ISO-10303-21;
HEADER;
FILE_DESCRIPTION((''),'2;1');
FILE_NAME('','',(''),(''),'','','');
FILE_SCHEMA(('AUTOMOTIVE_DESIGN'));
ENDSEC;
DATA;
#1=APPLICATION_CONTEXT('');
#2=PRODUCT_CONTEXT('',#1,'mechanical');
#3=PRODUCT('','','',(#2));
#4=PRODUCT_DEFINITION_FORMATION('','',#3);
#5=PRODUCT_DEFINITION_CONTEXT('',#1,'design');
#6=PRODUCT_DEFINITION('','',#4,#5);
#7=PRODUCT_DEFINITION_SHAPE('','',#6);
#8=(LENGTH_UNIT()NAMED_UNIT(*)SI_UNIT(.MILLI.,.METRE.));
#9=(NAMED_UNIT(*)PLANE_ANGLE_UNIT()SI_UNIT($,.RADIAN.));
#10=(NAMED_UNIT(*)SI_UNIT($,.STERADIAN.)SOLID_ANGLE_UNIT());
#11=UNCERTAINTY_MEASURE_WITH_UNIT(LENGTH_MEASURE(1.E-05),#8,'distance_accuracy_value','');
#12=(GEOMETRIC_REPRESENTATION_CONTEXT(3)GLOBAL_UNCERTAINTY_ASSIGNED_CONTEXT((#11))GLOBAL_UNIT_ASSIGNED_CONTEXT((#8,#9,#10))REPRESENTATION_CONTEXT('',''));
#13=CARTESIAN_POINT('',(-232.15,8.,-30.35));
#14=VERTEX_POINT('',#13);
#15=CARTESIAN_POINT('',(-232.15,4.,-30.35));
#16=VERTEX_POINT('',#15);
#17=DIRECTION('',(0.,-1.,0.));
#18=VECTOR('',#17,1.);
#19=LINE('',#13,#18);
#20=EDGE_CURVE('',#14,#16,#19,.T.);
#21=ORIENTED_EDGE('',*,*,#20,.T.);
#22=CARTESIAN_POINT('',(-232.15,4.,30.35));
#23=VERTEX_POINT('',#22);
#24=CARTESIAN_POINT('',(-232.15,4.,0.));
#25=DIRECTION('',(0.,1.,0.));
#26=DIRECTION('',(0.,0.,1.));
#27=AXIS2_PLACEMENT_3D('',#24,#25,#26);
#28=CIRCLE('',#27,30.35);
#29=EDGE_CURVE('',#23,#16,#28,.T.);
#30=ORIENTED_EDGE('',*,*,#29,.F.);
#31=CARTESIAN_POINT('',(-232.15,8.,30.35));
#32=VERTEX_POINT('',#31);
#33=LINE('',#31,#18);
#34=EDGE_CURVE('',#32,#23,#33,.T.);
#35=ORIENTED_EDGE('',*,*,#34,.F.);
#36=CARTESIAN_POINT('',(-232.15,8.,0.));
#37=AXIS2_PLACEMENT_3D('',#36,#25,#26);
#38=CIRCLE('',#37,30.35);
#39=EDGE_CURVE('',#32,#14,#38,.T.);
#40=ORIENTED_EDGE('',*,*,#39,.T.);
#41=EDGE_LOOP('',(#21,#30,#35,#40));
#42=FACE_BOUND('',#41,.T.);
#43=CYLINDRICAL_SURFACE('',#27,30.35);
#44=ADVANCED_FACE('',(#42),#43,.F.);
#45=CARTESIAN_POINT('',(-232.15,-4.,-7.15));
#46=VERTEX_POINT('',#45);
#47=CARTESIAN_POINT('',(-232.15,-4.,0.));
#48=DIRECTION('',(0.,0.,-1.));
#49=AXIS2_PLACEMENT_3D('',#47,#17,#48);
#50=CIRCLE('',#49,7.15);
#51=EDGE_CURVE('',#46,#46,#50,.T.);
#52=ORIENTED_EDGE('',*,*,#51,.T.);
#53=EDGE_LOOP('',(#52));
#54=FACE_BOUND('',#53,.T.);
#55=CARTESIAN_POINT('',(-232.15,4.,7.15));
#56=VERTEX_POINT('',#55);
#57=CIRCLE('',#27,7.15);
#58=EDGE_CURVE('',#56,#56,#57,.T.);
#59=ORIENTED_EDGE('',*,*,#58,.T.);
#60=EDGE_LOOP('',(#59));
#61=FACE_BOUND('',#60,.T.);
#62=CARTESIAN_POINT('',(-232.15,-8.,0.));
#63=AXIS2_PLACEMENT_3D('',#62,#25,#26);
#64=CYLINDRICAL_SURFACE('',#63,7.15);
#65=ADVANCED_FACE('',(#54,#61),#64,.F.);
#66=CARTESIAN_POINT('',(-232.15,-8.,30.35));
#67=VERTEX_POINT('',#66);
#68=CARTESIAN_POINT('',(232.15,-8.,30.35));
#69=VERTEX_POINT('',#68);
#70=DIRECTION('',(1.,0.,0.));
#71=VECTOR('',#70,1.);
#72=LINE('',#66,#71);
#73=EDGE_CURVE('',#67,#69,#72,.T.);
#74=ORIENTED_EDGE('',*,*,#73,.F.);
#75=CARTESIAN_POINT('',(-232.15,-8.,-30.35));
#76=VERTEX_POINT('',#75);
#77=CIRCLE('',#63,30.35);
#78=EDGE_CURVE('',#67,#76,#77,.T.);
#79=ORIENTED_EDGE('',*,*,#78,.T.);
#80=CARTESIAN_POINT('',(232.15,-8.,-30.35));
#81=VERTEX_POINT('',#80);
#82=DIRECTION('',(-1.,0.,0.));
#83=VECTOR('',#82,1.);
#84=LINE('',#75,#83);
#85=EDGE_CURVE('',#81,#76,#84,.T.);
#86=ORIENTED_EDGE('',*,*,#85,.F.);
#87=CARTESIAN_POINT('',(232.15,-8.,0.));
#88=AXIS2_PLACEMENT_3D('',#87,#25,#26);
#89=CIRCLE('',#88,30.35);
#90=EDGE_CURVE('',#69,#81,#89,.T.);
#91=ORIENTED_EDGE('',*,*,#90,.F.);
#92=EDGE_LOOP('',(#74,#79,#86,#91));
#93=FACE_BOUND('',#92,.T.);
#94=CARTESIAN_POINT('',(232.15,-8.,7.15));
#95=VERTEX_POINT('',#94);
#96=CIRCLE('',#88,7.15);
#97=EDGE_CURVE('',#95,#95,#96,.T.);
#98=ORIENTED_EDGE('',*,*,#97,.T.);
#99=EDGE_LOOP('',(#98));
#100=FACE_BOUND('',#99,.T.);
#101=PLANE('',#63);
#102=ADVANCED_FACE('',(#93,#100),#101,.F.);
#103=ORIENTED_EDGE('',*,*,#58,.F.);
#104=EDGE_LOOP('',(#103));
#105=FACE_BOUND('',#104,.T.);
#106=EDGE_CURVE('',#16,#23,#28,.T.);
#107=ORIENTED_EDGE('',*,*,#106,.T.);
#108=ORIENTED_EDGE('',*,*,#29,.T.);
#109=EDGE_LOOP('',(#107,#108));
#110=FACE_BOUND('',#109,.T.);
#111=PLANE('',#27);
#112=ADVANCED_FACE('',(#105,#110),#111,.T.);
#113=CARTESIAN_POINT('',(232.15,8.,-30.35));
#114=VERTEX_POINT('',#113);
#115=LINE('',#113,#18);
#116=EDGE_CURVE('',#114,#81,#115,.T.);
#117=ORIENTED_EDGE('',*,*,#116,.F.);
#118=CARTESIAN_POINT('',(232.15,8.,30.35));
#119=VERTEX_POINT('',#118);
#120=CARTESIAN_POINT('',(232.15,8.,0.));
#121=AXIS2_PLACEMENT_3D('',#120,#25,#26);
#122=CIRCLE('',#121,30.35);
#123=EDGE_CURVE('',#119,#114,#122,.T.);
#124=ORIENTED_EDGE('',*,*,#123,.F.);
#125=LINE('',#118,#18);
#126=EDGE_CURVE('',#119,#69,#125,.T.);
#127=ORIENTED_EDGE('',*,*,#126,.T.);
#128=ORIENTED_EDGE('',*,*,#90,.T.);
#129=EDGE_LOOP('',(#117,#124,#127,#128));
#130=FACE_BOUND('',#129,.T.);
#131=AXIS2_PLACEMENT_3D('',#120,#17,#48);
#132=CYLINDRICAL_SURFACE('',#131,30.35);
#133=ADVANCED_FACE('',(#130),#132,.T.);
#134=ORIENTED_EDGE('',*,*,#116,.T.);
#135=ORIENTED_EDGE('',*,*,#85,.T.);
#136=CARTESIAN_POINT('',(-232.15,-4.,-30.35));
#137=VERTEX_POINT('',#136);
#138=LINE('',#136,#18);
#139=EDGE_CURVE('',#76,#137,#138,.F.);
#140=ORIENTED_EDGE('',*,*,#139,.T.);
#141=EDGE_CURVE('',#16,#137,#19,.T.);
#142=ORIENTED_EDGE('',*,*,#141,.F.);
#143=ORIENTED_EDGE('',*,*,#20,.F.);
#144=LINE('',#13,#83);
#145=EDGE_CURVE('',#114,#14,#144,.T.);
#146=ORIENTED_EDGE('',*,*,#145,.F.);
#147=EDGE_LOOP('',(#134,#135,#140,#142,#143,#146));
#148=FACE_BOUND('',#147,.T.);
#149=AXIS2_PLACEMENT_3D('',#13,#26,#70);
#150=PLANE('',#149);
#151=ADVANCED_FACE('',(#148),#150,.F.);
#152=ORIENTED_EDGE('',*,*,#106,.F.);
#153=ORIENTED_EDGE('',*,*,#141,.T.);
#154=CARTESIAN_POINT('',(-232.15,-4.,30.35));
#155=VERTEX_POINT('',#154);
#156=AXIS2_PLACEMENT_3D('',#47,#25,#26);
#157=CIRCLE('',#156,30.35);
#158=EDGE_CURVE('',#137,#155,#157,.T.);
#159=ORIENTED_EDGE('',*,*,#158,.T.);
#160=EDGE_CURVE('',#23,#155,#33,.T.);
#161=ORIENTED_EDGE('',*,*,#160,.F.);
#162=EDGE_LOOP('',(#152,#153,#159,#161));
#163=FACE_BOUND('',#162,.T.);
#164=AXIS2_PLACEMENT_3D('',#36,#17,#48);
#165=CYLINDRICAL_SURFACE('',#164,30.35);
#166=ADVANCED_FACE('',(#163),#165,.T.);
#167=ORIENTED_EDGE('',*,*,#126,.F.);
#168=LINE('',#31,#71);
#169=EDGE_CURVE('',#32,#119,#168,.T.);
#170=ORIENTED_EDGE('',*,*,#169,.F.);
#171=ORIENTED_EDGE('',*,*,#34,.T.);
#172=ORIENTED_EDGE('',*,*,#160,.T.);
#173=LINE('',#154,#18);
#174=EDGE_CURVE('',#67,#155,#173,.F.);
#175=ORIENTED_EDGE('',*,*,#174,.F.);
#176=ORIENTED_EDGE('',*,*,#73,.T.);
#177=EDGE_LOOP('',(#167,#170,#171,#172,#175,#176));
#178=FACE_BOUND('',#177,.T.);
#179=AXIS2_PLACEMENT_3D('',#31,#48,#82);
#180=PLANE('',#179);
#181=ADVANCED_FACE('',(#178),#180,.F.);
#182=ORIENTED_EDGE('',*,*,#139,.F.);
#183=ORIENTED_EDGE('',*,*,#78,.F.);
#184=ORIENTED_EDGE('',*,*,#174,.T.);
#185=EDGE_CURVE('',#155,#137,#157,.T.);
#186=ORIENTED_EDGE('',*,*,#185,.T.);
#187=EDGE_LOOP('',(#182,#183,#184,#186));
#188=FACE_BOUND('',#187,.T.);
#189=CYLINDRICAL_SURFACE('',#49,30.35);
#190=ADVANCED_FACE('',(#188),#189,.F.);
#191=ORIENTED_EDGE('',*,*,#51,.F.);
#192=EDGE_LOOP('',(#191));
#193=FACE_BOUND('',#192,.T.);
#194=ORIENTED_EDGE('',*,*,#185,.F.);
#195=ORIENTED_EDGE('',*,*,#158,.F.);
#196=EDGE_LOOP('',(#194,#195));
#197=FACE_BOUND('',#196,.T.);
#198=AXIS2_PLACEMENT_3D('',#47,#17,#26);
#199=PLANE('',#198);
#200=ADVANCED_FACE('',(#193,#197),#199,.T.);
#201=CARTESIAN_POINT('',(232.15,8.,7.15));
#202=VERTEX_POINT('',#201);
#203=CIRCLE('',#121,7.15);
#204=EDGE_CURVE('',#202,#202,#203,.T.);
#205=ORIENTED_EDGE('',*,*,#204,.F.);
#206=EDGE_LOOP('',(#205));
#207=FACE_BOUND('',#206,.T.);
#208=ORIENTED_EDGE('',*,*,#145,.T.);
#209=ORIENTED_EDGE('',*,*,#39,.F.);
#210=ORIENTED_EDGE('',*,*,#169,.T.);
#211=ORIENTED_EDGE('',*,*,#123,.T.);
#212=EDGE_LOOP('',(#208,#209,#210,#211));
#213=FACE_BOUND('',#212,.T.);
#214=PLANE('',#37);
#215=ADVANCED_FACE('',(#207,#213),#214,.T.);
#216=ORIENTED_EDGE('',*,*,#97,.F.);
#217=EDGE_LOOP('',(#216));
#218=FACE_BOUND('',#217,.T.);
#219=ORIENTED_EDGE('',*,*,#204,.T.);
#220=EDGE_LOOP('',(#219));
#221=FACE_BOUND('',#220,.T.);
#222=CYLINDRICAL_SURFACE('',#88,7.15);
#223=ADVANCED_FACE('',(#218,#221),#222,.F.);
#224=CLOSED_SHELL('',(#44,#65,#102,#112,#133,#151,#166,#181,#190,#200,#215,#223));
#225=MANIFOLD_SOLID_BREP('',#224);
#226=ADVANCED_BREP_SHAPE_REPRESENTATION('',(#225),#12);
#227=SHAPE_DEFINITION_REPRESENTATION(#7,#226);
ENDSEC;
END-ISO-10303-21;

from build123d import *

# Parameters (mm, degrees)
BOSS_EXTRU_1_DEPTH      = 8
ESQUISSE2_R             = 7.15
ENL_V_MAT_EXTRU_1_DEPTH = 265.732643435
ESQUISSE3_R             = 30.35
ENL_V_MAT_EXTRU_4_DEPTH = 4
ESQUISSE4_R             = 7.15
ENL_V_MAT_EXTRU_5_DEPTH = 265.521024684


with BuildPart() as part:
    # Esquisse1 → Boss.-Extru.1 (new, symmetric)
    with BuildSketch(Plane(origin=(0, 0, 0), x_dir=(1, 0, 0), z_dir=(0, 1, 0))):
        with BuildLine():
            Line((-232.15, 30.35), (232.15, 30.35))
            ThreePointArc((232.15, 30.35), (262.5, 0), (232.15, -30.35))
            Line((232.15, -30.35), (-232.15, -30.35))
            ThreePointArc((-232.15, -30.35), (-262.5, 0), (-232.15, 30.35))
        make_face()
    extrude(amount=BOSS_EXTRU_1_DEPTH, both=True)

    # Esquisse2 → Enlèv. mat.-Extru.1 (cut, through all)
    with BuildSketch(Plane(origin=(0, 8, 0), x_dir=(1, 0, 0), z_dir=(0, 1, 0))):
        with Locations(Location((232.15, 0, 0), (0, 0, 270))):
            Circle(ESQUISSE2_R)
    extrude(amount=-ENL_V_MAT_EXTRU_1_DEPTH, mode=Mode.SUBTRACT)

    # Esquisse3 → Enlèv. mat.-Extru.4 (cut)
    with BuildSketch(Plane(origin=(0, 8, 0), x_dir=(1, 0, 0), z_dir=(0, 1, 0))):
        with Locations((-232.15, 0)):
            Circle(ESQUISSE3_R)
    enl_v_mat_extru_4 = extrude(amount=-ENL_V_MAT_EXTRU_4_DEPTH, mode=Mode.SUBTRACT)

    # Symétrie4: Enlèv. mat.-Extru.4 across plane
    add(enl_v_mat_extru_4.mirror(Plane.ZX), mode=Mode.SUBTRACT)

    # Esquisse4 → Enlèv. mat.-Extru.5 (cut, through all)
    with BuildSketch(Plane(origin=(0, 4, 0), x_dir=(1, 0, 0), z_dir=(0, 1, 0))):
        with Locations(Location((-232.15, 0, 0), (0, 0, 270))):
            Circle(ESQUISSE4_R)
    extrude(amount=-ENL_V_MAT_EXTRU_5_DEPTH, mode=Mode.SUBTRACT)


solid = part.part
